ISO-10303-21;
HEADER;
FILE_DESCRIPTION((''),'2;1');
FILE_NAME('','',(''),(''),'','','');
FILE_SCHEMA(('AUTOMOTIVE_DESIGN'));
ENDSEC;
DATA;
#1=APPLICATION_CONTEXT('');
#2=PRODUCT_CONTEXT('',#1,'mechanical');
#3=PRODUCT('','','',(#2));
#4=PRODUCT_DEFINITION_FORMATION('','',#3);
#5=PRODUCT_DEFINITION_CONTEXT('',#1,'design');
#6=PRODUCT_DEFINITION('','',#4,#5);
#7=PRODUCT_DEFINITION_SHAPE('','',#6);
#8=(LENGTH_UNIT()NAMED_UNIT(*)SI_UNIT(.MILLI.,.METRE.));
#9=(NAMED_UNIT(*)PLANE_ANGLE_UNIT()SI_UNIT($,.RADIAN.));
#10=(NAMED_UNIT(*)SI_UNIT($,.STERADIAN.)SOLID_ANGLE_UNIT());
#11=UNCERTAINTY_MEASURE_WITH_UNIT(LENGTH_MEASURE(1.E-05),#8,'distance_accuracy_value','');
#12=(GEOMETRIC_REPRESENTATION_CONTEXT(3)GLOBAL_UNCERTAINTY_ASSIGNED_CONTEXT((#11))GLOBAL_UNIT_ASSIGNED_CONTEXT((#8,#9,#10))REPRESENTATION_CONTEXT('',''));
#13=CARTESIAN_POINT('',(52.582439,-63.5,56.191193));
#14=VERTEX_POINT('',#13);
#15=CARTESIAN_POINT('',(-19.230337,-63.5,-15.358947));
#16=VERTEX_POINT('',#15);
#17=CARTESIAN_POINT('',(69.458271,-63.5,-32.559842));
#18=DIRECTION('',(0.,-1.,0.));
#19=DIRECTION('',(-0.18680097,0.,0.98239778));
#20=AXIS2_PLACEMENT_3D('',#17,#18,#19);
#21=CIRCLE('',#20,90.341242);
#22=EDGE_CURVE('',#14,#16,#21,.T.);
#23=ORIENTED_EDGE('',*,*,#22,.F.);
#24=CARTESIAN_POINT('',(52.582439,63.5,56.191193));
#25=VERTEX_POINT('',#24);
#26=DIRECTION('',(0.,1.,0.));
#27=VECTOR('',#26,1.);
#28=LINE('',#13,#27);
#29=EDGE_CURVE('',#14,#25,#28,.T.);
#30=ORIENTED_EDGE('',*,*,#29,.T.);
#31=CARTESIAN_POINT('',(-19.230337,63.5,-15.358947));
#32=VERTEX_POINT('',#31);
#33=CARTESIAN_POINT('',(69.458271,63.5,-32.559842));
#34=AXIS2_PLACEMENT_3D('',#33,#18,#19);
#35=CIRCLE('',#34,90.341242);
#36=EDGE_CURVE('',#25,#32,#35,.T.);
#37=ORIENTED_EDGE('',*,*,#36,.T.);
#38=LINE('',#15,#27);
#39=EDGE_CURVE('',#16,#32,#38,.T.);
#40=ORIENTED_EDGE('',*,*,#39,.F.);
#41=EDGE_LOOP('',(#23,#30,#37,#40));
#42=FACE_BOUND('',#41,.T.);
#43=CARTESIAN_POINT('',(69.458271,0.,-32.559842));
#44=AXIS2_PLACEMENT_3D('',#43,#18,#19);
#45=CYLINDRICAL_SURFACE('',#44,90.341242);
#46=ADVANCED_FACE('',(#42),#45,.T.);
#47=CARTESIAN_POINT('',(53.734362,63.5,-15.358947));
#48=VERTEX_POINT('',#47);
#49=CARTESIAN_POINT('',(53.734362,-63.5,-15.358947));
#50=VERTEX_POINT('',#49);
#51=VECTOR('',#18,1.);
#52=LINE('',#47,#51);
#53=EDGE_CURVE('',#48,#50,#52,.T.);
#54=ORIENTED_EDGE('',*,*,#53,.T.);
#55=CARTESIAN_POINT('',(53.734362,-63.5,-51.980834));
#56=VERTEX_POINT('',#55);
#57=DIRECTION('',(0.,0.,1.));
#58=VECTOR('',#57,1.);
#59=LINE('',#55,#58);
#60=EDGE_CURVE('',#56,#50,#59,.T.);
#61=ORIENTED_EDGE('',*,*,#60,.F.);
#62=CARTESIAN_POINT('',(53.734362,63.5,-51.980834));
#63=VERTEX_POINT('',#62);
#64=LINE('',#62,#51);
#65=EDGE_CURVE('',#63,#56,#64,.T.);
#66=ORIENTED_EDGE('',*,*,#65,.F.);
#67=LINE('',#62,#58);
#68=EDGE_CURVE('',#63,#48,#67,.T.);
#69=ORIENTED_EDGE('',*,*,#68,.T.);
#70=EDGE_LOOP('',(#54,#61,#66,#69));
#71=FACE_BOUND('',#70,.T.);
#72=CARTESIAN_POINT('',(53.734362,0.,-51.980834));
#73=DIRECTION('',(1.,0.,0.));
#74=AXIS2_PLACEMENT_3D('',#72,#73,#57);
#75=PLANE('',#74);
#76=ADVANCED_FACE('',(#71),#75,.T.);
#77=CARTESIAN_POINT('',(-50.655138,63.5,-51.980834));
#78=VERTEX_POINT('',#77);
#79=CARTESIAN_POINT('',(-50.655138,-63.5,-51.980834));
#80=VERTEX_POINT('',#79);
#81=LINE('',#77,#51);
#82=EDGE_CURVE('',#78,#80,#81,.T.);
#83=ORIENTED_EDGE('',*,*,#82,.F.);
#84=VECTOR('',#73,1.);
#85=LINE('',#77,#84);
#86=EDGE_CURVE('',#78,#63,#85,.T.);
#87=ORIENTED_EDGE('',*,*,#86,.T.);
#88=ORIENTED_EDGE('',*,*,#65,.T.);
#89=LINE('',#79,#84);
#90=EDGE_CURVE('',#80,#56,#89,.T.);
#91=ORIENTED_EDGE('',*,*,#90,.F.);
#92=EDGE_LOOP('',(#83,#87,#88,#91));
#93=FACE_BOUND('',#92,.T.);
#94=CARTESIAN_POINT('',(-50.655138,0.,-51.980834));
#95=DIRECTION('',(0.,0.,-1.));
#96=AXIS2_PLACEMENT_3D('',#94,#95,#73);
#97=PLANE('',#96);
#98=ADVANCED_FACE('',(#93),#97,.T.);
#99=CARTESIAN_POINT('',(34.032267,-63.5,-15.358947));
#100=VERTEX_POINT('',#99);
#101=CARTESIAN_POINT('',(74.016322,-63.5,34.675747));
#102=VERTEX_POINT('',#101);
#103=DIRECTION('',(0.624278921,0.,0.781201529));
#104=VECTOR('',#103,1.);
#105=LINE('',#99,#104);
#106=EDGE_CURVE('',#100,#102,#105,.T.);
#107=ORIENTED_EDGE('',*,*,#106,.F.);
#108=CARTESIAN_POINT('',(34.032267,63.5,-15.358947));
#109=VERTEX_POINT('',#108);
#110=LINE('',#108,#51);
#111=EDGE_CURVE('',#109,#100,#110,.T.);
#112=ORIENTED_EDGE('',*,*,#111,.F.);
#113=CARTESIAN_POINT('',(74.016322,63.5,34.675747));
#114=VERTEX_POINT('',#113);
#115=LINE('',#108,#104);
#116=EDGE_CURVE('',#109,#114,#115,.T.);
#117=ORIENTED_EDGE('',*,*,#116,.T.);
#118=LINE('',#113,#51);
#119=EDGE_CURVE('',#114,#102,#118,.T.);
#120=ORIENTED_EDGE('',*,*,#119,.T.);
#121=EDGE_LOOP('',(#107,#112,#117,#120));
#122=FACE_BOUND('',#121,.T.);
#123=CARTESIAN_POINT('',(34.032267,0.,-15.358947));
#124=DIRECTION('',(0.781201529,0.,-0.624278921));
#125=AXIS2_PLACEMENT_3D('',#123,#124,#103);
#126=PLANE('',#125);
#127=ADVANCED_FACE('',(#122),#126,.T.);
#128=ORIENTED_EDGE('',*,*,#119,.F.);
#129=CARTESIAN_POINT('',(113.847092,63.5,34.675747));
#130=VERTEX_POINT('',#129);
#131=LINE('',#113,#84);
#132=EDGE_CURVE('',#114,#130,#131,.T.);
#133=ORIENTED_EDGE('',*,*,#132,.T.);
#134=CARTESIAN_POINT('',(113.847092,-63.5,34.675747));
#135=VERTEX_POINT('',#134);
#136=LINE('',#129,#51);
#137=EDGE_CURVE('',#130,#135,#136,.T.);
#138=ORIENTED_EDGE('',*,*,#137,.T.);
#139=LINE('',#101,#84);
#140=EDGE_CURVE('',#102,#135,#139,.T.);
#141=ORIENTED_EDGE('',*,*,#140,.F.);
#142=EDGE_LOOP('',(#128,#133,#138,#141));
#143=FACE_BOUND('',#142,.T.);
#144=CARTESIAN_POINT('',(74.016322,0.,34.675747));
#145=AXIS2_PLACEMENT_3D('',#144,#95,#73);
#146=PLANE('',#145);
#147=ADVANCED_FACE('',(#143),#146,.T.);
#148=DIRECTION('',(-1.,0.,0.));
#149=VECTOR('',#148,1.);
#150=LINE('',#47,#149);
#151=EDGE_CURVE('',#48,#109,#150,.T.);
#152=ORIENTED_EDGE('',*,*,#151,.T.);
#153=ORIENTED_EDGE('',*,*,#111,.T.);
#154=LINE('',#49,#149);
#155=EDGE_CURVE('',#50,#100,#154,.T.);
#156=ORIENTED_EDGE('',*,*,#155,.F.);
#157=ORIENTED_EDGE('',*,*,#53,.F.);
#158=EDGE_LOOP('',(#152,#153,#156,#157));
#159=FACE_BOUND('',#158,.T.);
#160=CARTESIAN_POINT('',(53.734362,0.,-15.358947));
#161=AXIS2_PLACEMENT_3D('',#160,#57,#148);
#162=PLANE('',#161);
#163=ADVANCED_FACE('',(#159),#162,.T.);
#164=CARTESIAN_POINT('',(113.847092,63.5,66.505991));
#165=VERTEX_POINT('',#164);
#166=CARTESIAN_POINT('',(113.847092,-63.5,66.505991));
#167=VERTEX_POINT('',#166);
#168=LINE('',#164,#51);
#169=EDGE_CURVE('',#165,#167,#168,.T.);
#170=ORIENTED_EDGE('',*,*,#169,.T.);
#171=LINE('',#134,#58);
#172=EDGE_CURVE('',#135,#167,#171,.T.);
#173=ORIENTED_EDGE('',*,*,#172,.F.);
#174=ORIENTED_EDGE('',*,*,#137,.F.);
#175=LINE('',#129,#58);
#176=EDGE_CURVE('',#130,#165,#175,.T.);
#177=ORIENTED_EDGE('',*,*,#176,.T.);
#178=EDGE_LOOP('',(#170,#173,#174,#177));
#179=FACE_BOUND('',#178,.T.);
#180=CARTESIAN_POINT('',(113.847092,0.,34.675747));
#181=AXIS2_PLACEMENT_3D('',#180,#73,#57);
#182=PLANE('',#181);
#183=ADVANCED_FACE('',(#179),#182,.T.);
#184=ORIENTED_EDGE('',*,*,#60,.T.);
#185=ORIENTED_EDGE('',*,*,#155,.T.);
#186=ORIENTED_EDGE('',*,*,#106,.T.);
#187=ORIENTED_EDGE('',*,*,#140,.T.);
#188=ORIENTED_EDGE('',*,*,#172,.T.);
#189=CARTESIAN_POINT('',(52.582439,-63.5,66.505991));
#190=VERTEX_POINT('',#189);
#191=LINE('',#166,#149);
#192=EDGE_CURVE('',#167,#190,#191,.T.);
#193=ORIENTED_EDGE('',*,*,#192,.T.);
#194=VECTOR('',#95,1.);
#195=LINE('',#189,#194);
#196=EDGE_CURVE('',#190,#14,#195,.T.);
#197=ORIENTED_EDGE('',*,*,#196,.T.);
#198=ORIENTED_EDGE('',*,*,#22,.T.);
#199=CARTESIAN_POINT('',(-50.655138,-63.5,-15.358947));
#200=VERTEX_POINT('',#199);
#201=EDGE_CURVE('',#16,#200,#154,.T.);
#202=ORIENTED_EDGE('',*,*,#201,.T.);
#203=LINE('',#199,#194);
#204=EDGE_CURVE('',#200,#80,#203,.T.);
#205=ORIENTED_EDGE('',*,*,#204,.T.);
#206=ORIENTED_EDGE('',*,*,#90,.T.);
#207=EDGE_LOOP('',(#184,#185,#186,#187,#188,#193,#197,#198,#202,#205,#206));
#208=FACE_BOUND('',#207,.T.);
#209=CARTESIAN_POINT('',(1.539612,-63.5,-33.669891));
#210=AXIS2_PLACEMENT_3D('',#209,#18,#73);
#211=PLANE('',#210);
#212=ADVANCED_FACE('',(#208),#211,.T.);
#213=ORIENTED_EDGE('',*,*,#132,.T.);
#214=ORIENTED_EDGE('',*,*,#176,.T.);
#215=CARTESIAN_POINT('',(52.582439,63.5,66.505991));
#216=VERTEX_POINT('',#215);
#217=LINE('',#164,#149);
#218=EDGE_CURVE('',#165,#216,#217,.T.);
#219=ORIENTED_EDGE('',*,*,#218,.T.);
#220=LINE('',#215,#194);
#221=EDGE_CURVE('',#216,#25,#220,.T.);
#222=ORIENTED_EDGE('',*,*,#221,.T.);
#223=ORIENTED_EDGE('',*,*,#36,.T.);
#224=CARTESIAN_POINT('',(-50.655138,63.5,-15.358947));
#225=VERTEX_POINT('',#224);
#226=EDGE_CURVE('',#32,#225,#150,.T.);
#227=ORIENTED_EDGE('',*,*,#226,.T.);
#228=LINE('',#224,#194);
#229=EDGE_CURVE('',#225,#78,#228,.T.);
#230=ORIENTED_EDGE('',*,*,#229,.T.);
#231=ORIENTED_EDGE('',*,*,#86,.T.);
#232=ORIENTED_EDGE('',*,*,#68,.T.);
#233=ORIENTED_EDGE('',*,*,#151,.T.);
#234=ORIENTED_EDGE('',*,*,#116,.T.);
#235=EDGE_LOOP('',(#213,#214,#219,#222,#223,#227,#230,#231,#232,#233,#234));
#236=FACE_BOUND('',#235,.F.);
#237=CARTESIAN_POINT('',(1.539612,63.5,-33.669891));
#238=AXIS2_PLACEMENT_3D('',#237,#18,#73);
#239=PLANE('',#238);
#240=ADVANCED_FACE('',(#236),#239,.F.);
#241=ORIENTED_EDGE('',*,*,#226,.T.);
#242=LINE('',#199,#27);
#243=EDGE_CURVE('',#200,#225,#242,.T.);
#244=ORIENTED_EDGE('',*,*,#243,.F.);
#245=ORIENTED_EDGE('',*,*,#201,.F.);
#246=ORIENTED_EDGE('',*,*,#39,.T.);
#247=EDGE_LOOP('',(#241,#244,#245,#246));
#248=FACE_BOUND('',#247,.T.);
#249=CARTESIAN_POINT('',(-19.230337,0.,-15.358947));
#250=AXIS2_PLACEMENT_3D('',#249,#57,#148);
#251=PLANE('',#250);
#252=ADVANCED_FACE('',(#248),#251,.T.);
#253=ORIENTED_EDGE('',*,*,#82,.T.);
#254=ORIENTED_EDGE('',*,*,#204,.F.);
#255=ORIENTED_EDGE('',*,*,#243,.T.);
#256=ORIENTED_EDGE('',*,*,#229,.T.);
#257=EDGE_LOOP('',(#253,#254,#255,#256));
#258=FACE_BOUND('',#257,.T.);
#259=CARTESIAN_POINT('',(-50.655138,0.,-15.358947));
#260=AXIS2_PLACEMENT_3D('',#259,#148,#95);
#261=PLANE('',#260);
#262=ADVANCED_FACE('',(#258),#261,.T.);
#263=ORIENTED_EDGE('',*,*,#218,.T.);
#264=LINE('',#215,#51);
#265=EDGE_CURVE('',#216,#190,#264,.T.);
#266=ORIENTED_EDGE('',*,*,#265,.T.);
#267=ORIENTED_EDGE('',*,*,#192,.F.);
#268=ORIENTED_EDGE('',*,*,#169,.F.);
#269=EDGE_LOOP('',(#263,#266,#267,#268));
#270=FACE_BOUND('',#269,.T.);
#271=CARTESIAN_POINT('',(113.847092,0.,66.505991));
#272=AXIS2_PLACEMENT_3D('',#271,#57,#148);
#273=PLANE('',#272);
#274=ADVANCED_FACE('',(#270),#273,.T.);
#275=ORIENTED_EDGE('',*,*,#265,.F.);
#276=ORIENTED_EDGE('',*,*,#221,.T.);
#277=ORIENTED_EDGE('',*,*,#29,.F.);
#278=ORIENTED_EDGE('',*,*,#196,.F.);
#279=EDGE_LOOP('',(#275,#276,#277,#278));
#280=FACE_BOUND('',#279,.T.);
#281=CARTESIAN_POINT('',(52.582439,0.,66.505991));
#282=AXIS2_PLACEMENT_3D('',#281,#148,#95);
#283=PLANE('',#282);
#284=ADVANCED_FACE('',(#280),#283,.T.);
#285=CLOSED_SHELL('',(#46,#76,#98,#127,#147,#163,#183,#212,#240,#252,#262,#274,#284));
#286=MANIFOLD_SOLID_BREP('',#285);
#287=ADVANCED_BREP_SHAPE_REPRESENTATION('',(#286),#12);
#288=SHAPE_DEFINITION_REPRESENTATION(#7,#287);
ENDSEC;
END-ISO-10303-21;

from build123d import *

# Parameters (mm, degrees)
F1_DEPTH = 63.5


with BuildPart() as f1:
    # F0 (on Front) → F1 (new body, symmetric)
    with BuildSketch(Plane.XZ):
        Polygon((-19.2303371431, -15.3589472175), (-50.6551377475, -15.3589472175), (-50.6551377475, -51.9808344543), (53.7343621254, -51.9808344543), (53.7343621254, -15.3589472175), (34.0322671564, -15.3589472175), align=None)
        with BuildLine():
            ThreePointArc((52.5824390352, 56.1911930548), (5.6945006761, 31.437982675), (-19.2303371431, -15.3589472175))
            Line((-19.2303371431, -15.3589472175), (34.0322671564, -15.3589472175))
            Line((34.0322671564, -15.3589472175), (74.0163222799, 34.6757471561))
            Line((74.0163222799, 34.6757471561), (52.5824390352, 34.6757471561))
            Line((52.5824390352, 34.6757471561), (52.5824390352, 56.1911930548))
        make_face()
        Polygon((52.5824390352, 66.5059909225), (52.5824390352, 56.1911930548), (52.5824390352, 34.6757471561), (74.0163222799, 34.6757471561), (113.847091794, 34.6757471561), (113.847091794, 66.5059909225), align=None)
    extrude(amount=F1_DEPTH, both=True)


solid = f1.part
